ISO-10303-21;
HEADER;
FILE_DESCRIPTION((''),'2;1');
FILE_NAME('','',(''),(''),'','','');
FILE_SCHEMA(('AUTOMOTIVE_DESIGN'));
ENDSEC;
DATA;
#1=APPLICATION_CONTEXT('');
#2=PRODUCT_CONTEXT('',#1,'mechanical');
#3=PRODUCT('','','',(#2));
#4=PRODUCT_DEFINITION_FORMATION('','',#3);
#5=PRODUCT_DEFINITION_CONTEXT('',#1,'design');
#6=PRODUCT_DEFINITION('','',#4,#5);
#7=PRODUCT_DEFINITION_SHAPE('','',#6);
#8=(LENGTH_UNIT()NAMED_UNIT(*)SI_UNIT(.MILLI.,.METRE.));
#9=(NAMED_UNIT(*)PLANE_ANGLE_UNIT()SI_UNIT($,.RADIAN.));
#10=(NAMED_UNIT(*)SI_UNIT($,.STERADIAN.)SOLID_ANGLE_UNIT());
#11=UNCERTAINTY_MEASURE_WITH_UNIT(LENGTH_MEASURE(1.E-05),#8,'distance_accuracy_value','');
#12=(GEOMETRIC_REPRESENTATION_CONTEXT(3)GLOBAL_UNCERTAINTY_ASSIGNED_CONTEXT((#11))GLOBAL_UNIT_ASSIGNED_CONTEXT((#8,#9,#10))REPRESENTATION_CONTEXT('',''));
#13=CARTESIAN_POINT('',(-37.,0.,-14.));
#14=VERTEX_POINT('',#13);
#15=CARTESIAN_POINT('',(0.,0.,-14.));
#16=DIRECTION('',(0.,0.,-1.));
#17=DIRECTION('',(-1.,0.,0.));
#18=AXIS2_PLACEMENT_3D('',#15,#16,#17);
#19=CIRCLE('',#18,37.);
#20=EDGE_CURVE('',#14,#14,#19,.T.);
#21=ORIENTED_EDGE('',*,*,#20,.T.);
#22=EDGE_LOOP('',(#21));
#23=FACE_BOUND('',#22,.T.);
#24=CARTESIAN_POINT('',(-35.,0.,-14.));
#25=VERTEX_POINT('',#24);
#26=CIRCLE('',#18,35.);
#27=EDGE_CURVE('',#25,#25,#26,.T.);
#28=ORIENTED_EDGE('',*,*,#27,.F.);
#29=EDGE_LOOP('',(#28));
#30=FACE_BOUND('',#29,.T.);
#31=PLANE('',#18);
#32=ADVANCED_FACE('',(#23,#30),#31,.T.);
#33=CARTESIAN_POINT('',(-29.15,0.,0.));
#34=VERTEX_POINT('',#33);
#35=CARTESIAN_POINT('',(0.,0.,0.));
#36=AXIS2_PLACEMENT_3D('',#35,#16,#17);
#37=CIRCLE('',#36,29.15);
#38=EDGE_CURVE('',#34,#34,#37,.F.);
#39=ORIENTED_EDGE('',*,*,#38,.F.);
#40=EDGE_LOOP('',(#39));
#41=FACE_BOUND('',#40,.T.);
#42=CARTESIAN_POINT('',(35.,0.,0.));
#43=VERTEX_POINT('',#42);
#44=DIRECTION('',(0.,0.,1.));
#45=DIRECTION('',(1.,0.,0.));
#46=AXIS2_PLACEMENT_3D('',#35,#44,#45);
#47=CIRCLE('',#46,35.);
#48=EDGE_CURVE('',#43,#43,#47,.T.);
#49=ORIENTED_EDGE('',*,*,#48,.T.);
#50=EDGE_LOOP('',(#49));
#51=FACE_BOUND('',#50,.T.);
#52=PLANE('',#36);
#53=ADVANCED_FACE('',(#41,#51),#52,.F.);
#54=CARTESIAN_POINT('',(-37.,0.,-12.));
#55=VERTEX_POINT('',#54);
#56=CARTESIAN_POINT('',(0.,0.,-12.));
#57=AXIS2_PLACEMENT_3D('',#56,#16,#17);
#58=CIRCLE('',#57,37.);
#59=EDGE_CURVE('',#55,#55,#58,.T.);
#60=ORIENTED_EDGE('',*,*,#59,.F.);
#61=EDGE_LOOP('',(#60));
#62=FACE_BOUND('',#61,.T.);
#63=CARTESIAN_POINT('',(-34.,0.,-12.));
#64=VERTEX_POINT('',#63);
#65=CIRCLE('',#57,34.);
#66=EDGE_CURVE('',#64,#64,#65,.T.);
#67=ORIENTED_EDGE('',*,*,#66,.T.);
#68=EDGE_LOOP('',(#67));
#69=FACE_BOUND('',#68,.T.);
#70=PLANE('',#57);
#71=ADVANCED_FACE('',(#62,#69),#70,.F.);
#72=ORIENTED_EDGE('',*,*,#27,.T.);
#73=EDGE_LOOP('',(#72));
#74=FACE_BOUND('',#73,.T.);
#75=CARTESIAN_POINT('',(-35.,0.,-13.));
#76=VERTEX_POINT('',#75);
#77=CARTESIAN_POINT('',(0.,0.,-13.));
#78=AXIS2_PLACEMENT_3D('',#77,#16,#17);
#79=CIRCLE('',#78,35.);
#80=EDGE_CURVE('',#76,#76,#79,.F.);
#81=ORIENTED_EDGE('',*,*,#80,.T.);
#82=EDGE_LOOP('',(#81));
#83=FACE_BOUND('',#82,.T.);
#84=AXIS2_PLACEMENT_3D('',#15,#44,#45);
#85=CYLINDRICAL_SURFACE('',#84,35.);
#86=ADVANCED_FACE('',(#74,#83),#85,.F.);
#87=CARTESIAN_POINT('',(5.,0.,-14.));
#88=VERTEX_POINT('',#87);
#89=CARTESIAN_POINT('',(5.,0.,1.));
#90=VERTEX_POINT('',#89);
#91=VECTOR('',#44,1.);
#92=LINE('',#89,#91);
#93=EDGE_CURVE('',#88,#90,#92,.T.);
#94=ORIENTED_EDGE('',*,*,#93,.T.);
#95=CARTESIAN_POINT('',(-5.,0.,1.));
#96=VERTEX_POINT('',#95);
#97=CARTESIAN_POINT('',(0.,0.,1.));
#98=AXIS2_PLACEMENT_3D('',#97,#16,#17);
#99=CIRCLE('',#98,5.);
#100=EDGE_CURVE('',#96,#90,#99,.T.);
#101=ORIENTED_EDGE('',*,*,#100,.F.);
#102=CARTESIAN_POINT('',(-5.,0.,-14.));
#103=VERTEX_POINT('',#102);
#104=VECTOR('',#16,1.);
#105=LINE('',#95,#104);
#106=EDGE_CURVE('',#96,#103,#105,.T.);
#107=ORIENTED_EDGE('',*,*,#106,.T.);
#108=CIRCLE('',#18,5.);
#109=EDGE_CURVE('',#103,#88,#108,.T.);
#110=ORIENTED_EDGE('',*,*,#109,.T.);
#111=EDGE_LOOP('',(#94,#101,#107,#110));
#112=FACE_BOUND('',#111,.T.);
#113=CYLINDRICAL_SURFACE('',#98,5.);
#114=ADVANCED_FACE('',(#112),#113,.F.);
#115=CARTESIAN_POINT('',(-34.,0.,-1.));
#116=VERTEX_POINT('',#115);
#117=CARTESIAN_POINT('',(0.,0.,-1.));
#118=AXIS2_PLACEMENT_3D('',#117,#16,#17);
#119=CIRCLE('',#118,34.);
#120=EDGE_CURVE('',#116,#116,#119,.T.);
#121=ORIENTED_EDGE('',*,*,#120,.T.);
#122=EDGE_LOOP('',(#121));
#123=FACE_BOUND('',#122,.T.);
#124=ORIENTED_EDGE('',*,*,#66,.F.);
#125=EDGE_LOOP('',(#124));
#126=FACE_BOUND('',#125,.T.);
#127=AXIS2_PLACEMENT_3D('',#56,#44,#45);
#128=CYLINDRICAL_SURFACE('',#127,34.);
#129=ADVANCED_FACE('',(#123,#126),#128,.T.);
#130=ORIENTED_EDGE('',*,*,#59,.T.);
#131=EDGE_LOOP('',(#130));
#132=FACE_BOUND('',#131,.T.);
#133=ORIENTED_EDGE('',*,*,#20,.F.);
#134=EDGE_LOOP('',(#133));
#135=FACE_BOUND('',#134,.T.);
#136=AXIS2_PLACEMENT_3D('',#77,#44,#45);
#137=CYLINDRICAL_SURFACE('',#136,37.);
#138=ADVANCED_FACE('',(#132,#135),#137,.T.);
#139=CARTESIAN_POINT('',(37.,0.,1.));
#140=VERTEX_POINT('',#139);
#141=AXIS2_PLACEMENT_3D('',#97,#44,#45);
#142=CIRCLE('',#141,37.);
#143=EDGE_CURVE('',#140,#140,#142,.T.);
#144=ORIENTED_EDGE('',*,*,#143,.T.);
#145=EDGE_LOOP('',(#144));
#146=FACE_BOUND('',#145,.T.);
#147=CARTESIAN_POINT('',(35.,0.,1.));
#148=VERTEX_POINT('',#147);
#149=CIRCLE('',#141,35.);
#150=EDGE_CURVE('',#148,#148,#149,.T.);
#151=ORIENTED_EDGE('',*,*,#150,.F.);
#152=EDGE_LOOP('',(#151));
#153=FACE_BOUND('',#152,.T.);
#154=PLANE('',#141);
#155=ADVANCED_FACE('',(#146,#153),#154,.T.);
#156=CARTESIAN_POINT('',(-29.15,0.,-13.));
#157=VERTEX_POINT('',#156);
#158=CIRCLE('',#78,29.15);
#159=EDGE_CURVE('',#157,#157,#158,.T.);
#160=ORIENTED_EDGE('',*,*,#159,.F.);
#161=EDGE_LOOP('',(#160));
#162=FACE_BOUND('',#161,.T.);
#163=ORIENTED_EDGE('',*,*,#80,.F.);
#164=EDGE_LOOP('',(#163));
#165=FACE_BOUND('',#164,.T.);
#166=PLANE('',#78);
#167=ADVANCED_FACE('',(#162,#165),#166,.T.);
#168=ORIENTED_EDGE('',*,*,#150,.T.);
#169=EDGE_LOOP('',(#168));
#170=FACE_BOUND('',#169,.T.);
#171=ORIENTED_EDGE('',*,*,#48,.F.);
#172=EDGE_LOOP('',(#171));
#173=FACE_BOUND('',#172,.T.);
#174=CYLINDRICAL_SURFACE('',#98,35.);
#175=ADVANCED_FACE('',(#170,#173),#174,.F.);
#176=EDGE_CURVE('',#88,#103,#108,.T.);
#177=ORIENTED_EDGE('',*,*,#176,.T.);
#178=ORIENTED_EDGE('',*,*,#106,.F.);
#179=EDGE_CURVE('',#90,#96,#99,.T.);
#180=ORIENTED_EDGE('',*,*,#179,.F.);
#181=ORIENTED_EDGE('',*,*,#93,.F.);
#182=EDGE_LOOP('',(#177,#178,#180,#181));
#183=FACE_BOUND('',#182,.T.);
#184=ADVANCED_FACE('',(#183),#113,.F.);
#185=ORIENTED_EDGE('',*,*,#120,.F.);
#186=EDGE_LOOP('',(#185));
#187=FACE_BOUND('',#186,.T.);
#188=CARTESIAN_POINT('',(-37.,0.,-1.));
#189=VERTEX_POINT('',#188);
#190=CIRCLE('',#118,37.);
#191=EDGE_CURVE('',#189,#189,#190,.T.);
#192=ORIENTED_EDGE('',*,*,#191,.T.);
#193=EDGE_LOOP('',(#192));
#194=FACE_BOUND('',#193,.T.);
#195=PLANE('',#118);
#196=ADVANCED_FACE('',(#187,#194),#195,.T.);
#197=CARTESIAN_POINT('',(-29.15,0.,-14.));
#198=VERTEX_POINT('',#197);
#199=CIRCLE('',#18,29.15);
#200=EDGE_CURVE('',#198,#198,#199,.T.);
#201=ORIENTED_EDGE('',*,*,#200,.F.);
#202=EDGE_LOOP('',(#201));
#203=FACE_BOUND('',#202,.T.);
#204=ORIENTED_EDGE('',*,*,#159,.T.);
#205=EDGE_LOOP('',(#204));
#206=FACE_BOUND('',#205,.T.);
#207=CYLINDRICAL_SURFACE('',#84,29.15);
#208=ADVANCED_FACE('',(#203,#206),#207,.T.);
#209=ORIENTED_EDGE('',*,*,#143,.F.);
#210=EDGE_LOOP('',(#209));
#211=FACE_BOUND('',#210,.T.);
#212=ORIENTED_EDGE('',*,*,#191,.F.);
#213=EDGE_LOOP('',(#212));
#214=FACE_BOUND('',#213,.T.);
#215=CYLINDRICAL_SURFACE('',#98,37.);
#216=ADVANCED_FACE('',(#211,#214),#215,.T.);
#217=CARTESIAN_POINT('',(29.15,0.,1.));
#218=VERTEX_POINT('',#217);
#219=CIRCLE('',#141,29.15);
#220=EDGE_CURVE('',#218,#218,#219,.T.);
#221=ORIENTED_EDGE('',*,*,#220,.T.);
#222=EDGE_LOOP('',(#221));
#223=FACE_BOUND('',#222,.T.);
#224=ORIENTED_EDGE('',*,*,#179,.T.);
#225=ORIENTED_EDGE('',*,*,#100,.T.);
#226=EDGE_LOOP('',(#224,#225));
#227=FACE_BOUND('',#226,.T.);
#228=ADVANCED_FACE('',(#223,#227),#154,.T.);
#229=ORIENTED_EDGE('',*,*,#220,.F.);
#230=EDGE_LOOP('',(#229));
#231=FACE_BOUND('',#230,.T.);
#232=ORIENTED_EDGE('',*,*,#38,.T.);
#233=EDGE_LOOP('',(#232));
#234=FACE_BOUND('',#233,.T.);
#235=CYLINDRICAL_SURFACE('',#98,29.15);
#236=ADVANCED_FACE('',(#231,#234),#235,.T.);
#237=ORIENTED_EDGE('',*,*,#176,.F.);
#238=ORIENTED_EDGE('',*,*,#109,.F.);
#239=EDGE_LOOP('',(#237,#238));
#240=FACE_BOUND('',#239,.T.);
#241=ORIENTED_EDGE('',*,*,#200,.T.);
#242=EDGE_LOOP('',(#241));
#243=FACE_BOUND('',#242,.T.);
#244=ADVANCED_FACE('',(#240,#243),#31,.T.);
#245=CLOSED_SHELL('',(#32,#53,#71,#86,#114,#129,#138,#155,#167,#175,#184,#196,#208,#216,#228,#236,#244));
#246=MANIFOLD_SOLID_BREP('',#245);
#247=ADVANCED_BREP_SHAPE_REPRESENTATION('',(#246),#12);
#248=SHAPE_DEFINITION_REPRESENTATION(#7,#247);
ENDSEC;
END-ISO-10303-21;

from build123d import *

# Parameters (mm, degrees)
SKETCH_1_R          = 37
SKETCH_1_R_2        = 35
EXTRUDE_1_DEPTH     = 1
SKETCH_1_R_3        = 29.15
EXTRUDE_1_2_DEPTH   = 1
EXTRUDE_START       = 1
SKETCH_2_R          = 37
EXTRUDE_2_DEPTH     = 1
SKETCH_3_R          = 34
EXTRUDE_3_DEPTH     = 11
SKETCH_5_R          = 37
EXTRUDE_4_DEPTH     = 1
SKETCH_4_R          = 37
SKETCH_4_R_2        = 35
SKETCH_4_R_3        = 29.15
EXTRUDE_5_DEPTH     = 1
SKETCH_6_R          = 5
CUT_EXTRUDE_1_DEPTH = 55.433445601


with BuildPart() as part:
    # 스케치1 → 보스-돌출1 (new body)
    with BuildSketch(Plane.XY):
        Circle(SKETCH_1_R)
        Circle(SKETCH_1_R_2, mode=Mode.SUBTRACT)
    extrude(amount=EXTRUDE_1_DEPTH)



with BuildPart() as body_2:
    # 스케치1 → Extrude 1 2 (new body)
    with BuildSketch(Plane.XY):
        Circle(SKETCH_1_R_3)
    extrude(amount=EXTRUDE_1_2_DEPTH)


with BuildPart() as part_1:
    add(part.part)

    add(body_2.part)  # 보스-돌출2 merges body 2
    # 스케치2 → 보스-돌출2 (add)
    with BuildSketch(Plane(origin=(0, 0, 0), x_dir=(-1, 0, 0), z_dir=(0, 0, -1)).offset(EXTRUDE_START)):
        Circle(SKETCH_2_R)
    extrude(amount=-EXTRUDE_2_DEPTH)

    # 스케치3 → 보스-돌출3 (add)
    with BuildSketch(Plane(origin=(0, 0, -1), x_dir=(-1, 0, 0), z_dir=(0, 0, -1))):
        Circle(SKETCH_3_R)
    extrude(amount=EXTRUDE_3_DEPTH)

    # 스케치5 → 보스-돌출4 (add)
    with BuildSketch(Plane(origin=(0, 0, -12), x_dir=(-1, 0, 0), z_dir=(0, 0, -1)).offset(EXTRUDE_START)):
        Circle(SKETCH_5_R)
    extrude(amount=-EXTRUDE_4_DEPTH)

    # 스케치4 → 보스-돌출5 (add)
    # profile 1 of 2: a face of its own
    with BuildSketch(Plane(origin=(0, 0, -13), x_dir=(-1, 0, 0), z_dir=(0, 0, -1)).offset(EXTRUDE_START)):
        Circle(SKETCH_4_R)
        with Locations(Location((0, 0, 0), (0, 0, 180))):
            Circle(SKETCH_4_R_2, mode=Mode.SUBTRACT)
    # profile 2 of 2: a face of its own
    with BuildSketch(Plane(origin=(0, 0, -13), x_dir=(-1, 0, 0), z_dir=(0, 0, -1)).offset(EXTRUDE_START)):
        Circle(SKETCH_4_R_3)
    extrude(amount=-EXTRUDE_5_DEPTH)

    # 스케치6 → 컷-돌출1 (cut, through all)
    with BuildSketch(Plane(origin=(0, 0, -14), x_dir=(-1, 0, 0), z_dir=(0, 0, -1))):
        Circle(SKETCH_6_R)
    extrude(amount=-CUT_EXTRUDE_1_DEPTH, mode=Mode.SUBTRACT)


solid = part_1.part
